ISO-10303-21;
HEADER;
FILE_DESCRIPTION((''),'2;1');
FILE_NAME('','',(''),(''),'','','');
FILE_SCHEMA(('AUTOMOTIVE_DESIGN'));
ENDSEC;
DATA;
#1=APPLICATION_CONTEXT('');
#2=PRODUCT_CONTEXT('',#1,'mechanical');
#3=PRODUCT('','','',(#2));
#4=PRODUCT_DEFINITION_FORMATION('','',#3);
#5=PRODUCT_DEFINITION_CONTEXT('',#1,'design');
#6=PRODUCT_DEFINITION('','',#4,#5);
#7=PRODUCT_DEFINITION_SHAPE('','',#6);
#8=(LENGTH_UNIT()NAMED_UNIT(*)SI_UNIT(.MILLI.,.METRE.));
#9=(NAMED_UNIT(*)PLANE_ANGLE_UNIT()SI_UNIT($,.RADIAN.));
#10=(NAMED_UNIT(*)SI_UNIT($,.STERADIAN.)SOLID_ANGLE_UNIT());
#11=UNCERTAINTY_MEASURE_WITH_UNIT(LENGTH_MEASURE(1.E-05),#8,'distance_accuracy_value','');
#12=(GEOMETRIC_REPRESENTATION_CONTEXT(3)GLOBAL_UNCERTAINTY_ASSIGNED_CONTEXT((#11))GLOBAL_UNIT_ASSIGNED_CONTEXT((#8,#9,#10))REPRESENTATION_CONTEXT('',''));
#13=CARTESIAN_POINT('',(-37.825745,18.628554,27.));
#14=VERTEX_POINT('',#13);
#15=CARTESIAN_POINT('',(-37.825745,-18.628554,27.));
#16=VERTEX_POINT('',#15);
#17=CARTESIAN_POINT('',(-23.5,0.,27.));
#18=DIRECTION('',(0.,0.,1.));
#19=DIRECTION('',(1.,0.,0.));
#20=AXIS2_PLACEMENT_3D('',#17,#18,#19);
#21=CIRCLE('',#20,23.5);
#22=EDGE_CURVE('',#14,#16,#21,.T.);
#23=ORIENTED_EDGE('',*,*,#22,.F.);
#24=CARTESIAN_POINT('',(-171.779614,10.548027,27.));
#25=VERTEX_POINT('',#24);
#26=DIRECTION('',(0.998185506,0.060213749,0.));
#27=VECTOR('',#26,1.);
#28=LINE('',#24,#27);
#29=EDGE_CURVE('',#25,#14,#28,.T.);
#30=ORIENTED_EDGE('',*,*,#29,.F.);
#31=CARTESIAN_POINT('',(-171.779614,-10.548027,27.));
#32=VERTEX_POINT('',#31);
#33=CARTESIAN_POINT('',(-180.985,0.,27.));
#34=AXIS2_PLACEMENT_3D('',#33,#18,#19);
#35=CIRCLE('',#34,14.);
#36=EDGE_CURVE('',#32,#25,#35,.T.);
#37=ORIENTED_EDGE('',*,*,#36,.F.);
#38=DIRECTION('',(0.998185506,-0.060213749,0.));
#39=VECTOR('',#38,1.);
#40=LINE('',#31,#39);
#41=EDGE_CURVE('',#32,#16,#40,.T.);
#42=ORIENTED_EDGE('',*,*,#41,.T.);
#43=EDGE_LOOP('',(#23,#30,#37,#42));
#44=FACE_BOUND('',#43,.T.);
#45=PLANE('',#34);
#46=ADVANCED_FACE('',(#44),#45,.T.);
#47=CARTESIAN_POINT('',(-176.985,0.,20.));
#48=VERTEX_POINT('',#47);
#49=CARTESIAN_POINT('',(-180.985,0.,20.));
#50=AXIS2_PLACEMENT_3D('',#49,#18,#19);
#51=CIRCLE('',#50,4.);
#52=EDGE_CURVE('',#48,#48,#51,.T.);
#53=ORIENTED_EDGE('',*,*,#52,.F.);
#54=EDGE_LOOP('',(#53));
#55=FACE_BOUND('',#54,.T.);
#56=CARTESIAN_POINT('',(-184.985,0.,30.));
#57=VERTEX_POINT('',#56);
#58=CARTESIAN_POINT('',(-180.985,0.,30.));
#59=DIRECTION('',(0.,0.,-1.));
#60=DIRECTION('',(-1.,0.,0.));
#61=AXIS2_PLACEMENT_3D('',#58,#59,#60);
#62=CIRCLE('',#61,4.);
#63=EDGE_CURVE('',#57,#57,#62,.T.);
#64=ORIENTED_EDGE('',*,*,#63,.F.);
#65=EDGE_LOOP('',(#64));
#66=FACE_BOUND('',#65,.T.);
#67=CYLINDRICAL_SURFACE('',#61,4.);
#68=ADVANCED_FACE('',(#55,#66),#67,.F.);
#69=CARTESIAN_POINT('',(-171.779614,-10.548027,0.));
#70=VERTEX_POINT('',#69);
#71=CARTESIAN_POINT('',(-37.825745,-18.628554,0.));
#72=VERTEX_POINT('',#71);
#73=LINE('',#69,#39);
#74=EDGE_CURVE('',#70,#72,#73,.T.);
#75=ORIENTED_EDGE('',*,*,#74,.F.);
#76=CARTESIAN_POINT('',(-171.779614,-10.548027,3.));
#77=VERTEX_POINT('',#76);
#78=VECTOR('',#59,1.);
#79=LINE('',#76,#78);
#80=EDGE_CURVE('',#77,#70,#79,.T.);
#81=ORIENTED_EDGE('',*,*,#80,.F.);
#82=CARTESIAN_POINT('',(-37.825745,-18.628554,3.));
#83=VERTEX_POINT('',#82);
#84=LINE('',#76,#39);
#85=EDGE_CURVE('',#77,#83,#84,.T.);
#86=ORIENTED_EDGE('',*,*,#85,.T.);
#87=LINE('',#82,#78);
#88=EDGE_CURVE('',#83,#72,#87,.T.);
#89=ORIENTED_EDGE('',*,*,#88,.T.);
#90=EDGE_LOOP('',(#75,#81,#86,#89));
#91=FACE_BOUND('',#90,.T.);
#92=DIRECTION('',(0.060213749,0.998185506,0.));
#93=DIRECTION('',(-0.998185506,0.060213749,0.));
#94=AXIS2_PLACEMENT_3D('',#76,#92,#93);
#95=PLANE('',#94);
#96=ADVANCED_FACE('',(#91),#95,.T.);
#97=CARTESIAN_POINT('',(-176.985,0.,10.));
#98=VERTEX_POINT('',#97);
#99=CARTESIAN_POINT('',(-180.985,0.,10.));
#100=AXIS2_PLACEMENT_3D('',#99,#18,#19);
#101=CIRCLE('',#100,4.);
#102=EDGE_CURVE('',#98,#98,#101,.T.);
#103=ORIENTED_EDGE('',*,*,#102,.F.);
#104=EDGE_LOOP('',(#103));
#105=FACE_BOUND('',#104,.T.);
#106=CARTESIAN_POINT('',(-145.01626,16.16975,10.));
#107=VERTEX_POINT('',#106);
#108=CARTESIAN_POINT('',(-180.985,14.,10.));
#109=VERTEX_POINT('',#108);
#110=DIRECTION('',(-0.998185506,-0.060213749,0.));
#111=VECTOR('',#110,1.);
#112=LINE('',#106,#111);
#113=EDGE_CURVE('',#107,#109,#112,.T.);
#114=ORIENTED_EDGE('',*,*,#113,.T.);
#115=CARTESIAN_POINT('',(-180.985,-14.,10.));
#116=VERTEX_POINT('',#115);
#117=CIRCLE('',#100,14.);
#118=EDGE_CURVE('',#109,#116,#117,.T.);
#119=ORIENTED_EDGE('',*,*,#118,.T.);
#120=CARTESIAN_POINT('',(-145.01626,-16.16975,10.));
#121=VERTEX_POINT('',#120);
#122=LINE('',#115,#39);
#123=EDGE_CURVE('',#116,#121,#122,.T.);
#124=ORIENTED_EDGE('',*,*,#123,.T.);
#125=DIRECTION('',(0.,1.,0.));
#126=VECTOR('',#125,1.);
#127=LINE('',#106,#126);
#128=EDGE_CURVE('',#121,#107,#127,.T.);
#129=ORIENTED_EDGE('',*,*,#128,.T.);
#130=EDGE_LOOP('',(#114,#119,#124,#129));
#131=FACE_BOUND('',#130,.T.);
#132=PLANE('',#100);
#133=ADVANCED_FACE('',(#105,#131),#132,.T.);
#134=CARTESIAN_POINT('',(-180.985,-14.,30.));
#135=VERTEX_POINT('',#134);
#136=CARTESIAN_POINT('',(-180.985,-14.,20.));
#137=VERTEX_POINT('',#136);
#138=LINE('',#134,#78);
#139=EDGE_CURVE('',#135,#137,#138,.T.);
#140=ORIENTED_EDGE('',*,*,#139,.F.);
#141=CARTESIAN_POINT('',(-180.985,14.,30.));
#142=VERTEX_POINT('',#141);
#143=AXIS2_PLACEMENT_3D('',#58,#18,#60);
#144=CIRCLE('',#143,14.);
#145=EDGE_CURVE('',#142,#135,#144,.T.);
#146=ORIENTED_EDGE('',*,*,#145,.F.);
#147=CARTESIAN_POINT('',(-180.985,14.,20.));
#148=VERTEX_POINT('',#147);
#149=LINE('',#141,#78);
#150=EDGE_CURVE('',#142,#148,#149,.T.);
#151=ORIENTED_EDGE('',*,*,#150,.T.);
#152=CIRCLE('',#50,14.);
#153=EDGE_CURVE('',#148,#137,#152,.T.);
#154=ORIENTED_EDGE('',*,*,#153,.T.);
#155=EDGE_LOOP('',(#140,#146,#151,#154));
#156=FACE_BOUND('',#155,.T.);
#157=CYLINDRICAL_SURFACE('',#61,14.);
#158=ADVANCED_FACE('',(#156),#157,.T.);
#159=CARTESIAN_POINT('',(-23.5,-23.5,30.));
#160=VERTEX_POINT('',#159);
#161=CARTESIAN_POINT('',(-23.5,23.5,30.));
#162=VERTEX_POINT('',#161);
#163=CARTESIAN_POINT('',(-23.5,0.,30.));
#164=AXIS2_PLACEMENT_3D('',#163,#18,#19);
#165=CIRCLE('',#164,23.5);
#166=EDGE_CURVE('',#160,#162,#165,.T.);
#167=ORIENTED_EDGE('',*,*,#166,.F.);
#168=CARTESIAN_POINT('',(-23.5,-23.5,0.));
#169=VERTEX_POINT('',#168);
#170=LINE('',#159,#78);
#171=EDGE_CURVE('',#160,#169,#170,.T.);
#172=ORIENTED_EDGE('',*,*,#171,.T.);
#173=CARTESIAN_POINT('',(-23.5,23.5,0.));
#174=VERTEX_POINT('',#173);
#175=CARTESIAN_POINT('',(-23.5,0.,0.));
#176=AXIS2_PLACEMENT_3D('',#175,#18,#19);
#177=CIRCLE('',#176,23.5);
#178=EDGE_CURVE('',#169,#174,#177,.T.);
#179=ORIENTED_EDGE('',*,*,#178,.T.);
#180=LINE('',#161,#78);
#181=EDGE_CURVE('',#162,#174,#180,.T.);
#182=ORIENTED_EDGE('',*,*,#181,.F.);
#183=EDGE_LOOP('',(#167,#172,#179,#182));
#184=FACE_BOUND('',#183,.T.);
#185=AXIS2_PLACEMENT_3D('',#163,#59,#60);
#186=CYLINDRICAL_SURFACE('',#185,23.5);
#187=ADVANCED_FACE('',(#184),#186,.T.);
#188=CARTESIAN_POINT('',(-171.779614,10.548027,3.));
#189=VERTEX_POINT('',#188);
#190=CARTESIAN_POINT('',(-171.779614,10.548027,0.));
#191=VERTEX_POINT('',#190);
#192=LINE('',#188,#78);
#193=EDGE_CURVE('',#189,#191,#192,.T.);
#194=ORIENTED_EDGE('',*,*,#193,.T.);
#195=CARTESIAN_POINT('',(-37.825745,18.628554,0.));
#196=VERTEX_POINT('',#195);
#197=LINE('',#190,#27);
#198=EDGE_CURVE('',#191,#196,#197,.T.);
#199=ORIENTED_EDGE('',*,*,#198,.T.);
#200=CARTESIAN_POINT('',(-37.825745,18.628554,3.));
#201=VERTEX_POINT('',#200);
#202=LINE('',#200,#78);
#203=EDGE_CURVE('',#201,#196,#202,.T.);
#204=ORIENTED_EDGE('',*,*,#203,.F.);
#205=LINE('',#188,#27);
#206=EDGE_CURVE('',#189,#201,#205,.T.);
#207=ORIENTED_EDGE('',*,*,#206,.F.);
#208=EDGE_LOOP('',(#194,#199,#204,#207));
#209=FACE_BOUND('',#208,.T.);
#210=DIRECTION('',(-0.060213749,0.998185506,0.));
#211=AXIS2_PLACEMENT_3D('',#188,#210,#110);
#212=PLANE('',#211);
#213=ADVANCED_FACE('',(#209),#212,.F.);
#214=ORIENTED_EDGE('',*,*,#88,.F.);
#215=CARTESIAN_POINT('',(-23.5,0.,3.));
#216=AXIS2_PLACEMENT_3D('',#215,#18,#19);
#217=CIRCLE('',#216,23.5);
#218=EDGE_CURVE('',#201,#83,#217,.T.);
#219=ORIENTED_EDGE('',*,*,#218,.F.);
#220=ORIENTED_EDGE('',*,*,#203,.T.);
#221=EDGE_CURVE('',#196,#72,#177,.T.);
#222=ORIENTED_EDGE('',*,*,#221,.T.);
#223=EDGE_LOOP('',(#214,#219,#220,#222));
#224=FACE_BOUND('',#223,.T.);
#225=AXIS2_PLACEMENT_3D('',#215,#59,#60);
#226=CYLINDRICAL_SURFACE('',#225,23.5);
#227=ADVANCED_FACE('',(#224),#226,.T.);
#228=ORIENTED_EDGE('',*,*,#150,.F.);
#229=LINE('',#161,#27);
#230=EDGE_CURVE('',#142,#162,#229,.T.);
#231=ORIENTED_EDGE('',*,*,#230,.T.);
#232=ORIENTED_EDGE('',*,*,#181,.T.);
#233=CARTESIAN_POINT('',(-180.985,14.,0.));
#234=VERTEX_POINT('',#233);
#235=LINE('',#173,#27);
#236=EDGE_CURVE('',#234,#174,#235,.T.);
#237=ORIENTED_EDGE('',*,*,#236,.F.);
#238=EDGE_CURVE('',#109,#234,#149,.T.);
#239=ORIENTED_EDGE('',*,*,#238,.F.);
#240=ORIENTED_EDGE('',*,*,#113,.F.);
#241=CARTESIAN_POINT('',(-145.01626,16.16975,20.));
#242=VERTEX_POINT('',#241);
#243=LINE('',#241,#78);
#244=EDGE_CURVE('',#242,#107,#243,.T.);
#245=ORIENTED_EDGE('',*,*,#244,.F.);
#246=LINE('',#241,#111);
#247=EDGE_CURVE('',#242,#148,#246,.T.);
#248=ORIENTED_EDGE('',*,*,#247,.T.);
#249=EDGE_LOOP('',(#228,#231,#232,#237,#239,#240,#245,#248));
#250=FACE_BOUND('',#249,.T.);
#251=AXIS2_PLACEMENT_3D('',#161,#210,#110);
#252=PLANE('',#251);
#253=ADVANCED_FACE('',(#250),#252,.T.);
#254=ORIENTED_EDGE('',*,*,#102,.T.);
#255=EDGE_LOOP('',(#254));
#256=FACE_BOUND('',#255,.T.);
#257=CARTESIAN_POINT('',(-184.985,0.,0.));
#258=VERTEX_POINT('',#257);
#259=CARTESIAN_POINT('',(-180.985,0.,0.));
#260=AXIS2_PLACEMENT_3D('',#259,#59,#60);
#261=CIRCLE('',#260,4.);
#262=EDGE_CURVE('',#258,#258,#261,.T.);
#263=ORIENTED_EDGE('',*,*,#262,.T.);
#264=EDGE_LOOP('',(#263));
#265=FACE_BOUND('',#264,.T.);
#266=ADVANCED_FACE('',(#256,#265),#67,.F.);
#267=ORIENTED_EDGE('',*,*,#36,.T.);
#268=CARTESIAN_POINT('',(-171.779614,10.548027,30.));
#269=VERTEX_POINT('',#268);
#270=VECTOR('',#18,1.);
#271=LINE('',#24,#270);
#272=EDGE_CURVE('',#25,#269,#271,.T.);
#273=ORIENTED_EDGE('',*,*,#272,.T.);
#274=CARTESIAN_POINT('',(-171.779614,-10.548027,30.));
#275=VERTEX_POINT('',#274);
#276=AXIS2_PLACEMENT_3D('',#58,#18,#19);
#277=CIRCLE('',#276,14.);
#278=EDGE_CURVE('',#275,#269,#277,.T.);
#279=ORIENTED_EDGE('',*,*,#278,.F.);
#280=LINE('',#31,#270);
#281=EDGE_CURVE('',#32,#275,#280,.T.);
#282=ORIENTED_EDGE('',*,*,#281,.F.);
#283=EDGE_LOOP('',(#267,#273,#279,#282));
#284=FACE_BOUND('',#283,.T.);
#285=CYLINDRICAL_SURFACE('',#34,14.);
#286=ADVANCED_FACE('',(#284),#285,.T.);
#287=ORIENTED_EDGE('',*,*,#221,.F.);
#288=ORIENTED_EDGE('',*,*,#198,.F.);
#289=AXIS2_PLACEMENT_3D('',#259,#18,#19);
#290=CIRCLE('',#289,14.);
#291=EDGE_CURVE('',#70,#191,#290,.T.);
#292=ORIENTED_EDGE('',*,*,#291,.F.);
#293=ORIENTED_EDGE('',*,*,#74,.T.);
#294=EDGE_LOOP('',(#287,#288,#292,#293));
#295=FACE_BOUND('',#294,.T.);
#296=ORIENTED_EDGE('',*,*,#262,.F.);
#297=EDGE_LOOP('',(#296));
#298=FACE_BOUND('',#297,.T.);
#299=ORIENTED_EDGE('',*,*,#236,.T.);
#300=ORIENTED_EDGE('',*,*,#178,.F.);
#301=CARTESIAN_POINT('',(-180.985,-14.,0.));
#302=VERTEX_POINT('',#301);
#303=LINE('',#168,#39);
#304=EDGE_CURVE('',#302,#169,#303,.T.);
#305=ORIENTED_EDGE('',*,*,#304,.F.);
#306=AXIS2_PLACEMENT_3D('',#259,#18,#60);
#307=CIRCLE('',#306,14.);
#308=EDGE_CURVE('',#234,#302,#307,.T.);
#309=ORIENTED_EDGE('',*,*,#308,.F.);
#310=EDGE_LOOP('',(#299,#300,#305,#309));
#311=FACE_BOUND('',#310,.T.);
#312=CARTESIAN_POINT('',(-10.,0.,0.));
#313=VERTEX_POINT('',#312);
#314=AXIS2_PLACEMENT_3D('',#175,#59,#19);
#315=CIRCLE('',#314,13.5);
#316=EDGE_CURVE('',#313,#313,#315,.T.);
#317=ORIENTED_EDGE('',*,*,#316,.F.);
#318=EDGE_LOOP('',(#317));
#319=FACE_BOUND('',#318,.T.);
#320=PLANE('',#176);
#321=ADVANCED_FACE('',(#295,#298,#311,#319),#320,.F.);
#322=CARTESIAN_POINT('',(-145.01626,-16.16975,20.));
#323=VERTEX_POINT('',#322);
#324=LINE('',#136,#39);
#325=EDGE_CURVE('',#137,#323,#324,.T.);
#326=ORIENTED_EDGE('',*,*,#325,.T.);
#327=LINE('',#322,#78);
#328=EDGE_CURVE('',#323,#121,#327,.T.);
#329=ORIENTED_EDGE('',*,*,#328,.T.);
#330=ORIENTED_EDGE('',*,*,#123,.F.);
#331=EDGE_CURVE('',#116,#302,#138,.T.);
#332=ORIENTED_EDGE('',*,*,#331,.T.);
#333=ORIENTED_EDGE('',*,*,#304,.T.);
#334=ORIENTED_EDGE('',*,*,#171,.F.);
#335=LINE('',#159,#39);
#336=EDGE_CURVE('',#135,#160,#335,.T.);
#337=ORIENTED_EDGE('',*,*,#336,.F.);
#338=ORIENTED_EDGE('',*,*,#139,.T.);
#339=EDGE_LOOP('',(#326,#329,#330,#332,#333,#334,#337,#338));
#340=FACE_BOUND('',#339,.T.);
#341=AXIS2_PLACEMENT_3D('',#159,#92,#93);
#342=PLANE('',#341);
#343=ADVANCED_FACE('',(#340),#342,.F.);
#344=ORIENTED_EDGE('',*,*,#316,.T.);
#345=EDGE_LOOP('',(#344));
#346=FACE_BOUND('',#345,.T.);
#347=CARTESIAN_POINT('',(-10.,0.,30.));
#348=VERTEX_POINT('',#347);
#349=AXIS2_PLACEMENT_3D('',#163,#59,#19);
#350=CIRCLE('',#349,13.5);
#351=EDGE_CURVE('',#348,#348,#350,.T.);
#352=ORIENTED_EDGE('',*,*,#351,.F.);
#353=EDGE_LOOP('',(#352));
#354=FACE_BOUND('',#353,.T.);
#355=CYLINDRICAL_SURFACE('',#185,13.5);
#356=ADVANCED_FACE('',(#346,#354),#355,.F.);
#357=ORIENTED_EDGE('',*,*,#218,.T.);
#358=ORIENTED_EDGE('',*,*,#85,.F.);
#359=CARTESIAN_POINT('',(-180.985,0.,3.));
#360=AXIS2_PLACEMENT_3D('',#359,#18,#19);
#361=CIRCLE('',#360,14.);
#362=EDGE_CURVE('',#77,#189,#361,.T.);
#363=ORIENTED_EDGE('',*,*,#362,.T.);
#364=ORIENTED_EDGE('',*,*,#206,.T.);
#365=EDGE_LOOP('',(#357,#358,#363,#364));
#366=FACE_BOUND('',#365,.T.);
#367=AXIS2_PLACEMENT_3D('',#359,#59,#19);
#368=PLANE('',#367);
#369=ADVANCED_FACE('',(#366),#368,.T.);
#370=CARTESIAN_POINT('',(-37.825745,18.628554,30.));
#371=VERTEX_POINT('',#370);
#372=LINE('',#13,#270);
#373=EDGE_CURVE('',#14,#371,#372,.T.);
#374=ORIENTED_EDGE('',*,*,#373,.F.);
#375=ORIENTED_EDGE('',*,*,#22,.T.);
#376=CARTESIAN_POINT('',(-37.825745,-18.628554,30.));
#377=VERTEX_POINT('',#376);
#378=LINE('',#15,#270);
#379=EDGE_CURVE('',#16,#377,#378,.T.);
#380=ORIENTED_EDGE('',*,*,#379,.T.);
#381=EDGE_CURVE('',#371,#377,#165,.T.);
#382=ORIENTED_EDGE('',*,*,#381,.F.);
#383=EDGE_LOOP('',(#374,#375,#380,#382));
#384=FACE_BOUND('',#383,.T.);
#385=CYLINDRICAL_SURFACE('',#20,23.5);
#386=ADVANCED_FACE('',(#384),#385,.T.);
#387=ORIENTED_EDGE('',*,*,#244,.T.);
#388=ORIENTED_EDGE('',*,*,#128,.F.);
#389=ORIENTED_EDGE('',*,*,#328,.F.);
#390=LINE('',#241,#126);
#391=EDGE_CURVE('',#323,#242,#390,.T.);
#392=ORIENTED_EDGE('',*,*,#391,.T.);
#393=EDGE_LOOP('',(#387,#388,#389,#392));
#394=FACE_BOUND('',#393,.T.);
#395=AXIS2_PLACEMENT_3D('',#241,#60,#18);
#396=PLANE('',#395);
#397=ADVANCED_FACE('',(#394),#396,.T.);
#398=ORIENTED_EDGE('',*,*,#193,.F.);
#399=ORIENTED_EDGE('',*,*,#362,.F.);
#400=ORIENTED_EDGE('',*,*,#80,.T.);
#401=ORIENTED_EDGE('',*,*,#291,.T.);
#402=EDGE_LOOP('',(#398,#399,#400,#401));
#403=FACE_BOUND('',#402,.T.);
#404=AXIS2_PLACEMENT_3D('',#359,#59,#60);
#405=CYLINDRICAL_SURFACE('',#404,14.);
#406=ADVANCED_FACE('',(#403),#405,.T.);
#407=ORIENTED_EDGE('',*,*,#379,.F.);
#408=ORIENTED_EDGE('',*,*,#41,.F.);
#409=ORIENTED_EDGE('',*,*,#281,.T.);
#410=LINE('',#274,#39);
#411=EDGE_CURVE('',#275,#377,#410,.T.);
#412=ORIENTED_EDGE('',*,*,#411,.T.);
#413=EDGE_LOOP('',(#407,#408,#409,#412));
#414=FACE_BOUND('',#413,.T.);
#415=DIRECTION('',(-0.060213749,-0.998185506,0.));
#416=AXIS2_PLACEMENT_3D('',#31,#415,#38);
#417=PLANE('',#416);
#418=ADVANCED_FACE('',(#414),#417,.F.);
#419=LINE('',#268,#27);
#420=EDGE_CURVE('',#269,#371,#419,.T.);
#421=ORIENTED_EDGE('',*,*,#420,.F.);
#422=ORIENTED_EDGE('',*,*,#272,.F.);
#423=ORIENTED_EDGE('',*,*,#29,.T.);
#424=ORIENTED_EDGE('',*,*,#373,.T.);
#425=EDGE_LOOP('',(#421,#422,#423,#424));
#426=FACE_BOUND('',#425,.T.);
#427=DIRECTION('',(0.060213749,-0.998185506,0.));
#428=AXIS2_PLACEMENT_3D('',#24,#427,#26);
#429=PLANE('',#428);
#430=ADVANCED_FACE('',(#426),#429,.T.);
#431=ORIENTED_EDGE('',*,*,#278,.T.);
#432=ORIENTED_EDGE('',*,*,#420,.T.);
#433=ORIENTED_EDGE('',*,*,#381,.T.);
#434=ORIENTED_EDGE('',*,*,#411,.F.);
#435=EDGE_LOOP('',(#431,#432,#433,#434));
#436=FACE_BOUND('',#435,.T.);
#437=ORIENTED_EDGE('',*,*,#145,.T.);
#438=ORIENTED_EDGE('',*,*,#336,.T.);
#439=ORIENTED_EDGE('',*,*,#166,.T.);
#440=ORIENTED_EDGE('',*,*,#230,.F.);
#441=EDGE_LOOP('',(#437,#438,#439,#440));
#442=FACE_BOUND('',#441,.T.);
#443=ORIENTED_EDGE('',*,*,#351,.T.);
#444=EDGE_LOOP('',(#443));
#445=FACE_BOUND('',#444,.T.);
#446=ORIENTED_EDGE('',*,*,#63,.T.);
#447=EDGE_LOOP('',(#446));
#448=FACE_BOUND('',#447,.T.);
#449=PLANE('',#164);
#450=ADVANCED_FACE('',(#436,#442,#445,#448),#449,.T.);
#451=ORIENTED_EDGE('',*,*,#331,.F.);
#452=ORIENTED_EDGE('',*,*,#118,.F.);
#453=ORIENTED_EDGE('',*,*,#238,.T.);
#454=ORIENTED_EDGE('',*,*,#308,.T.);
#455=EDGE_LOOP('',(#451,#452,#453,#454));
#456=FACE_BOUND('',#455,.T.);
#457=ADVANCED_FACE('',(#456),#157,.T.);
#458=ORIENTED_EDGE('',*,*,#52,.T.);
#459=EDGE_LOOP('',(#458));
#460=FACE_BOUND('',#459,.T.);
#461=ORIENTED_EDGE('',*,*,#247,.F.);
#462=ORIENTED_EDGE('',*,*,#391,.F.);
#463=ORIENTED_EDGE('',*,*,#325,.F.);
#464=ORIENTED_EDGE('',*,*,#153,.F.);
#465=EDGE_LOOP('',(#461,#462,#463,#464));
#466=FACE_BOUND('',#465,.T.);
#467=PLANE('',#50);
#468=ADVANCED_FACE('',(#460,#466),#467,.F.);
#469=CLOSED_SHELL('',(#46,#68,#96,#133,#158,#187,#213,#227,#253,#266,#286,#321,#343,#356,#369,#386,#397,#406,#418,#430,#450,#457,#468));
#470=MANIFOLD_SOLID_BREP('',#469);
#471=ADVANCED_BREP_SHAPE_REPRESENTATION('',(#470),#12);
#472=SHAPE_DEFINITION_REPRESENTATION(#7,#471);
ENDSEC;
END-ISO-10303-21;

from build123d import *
from build123d.topology import SkipClean

# Parameters (mm, degrees)
BOSS_EXTRUDE1_DEPTH     = 30
CUT_EXTRUDE1_DEPTH      = 5
CUT_EXTRUDE1_DEPTH_BACK = 5
SKETCH2_R               = 4
CUT_EXTRUDE2_START      = -3
CUT_EXTRUDE2_DEPTH      = 3


with BuildPart() as part:
    # Sketch1 → Boss-Extrude1 (new body)
    with BuildSketch(Plane(origin=(0, 0, 0), x_dir=(-1, 0, 0), z_dir=(0, 0, 1))):
        with BuildLine():
            Line((0, 0), (10, 0))
            ThreePointArc((10, 0), (23.5, 13.5), (37, 0))
            Line((37, 0), (153.995672066, 0))
            Line((153.995672066, 0), (176.985, 0))
            ThreePointArc((176.985, 0), (180.985, 4), (184.985, 0))
            Line((184.985, 0), (194.985, 0))
            ThreePointArc((194.985, 0), (190.884494937, 9.899494937), (180.985, 14))
            Line((180.985, 14), (23.5, 23.5))
            ThreePointArc((23.5, 23.5), (6.882990642, 16.617009358), (0, 0))
        make_face()
    boss_extrude1 = extrude(amount=BOSS_EXTRUDE1_DEPTH)

    # Mirror1: Boss-Extrude1 across Top Plane
    with SkipClean():  # the faces are left unmerged after this step: merging them gives an invalid solid
        add(boss_extrude1.mirror(Plane(origin=(0, 0, 0), x_dir=(1, 0, 0), z_dir=(0, 1, 0))))

    # Sketch2 → Cut-Extrude1 (cut, two sides: drawn at the far end of the back side and taken through both)
    with SkipClean():  # the faces are left unmerged after this step: merging them gives an invalid solid
        with BuildSketch(Plane.XY.offset(15).offset(-CUT_EXTRUDE1_DEPTH_BACK)):
            with BuildLine():
                Line((-145.016260464, 16.169749662), (-180.985, 14))
                ThreePointArc((-180.985, 14), (-194.985, 0), (-180.985, -14))
                Line((-180.985, -14), (-145.016260464, -16.169749662))
                Line((-145.016260464, -16.169749662), (-145.016260464, 16.169749662))
            make_face()
            with Locations(Location((-180.985, 0, 0), (0, 0, 180))):
                Circle(SKETCH2_R, mode=Mode.SUBTRACT)
        extrude(amount=CUT_EXTRUDE1_DEPTH + CUT_EXTRUDE1_DEPTH_BACK, mode=Mode.SUBTRACT)

    # Sketch3 → Cut-Extrude2 (cut)
    with SkipClean():  # the faces are left unmerged after this step: merging them gives an invalid solid
        with BuildSketch(Plane.XY.offset(30).offset(CUT_EXTRUDE2_START)):
            with BuildLine():
                Line((-171.779614491, 10.548027191), (-37.825745268, 18.628553956))
                ThreePointArc((-37.825745268, 18.628553956), (-47, 0), (-37.825745268, -18.628553956))
                Line((-37.825745268, -18.628553956), (-171.779614491, -10.548027191))
                ThreePointArc((-171.779614491, -10.548027191), (-166.985, 0), (-171.779614491, 10.548027191))
            make_face()
        cut_extrude2 = extrude(amount=CUT_EXTRUDE2_DEPTH, mode=Mode.SUBTRACT)

    # Mirror2: Cut-Extrude2 across plane
    with SkipClean():  # the faces are left unmerged after this step: merging them gives an invalid solid
        add(cut_extrude2.mirror(Plane.XY.offset(15)), mode=Mode.SUBTRACT)


solid = part.part
